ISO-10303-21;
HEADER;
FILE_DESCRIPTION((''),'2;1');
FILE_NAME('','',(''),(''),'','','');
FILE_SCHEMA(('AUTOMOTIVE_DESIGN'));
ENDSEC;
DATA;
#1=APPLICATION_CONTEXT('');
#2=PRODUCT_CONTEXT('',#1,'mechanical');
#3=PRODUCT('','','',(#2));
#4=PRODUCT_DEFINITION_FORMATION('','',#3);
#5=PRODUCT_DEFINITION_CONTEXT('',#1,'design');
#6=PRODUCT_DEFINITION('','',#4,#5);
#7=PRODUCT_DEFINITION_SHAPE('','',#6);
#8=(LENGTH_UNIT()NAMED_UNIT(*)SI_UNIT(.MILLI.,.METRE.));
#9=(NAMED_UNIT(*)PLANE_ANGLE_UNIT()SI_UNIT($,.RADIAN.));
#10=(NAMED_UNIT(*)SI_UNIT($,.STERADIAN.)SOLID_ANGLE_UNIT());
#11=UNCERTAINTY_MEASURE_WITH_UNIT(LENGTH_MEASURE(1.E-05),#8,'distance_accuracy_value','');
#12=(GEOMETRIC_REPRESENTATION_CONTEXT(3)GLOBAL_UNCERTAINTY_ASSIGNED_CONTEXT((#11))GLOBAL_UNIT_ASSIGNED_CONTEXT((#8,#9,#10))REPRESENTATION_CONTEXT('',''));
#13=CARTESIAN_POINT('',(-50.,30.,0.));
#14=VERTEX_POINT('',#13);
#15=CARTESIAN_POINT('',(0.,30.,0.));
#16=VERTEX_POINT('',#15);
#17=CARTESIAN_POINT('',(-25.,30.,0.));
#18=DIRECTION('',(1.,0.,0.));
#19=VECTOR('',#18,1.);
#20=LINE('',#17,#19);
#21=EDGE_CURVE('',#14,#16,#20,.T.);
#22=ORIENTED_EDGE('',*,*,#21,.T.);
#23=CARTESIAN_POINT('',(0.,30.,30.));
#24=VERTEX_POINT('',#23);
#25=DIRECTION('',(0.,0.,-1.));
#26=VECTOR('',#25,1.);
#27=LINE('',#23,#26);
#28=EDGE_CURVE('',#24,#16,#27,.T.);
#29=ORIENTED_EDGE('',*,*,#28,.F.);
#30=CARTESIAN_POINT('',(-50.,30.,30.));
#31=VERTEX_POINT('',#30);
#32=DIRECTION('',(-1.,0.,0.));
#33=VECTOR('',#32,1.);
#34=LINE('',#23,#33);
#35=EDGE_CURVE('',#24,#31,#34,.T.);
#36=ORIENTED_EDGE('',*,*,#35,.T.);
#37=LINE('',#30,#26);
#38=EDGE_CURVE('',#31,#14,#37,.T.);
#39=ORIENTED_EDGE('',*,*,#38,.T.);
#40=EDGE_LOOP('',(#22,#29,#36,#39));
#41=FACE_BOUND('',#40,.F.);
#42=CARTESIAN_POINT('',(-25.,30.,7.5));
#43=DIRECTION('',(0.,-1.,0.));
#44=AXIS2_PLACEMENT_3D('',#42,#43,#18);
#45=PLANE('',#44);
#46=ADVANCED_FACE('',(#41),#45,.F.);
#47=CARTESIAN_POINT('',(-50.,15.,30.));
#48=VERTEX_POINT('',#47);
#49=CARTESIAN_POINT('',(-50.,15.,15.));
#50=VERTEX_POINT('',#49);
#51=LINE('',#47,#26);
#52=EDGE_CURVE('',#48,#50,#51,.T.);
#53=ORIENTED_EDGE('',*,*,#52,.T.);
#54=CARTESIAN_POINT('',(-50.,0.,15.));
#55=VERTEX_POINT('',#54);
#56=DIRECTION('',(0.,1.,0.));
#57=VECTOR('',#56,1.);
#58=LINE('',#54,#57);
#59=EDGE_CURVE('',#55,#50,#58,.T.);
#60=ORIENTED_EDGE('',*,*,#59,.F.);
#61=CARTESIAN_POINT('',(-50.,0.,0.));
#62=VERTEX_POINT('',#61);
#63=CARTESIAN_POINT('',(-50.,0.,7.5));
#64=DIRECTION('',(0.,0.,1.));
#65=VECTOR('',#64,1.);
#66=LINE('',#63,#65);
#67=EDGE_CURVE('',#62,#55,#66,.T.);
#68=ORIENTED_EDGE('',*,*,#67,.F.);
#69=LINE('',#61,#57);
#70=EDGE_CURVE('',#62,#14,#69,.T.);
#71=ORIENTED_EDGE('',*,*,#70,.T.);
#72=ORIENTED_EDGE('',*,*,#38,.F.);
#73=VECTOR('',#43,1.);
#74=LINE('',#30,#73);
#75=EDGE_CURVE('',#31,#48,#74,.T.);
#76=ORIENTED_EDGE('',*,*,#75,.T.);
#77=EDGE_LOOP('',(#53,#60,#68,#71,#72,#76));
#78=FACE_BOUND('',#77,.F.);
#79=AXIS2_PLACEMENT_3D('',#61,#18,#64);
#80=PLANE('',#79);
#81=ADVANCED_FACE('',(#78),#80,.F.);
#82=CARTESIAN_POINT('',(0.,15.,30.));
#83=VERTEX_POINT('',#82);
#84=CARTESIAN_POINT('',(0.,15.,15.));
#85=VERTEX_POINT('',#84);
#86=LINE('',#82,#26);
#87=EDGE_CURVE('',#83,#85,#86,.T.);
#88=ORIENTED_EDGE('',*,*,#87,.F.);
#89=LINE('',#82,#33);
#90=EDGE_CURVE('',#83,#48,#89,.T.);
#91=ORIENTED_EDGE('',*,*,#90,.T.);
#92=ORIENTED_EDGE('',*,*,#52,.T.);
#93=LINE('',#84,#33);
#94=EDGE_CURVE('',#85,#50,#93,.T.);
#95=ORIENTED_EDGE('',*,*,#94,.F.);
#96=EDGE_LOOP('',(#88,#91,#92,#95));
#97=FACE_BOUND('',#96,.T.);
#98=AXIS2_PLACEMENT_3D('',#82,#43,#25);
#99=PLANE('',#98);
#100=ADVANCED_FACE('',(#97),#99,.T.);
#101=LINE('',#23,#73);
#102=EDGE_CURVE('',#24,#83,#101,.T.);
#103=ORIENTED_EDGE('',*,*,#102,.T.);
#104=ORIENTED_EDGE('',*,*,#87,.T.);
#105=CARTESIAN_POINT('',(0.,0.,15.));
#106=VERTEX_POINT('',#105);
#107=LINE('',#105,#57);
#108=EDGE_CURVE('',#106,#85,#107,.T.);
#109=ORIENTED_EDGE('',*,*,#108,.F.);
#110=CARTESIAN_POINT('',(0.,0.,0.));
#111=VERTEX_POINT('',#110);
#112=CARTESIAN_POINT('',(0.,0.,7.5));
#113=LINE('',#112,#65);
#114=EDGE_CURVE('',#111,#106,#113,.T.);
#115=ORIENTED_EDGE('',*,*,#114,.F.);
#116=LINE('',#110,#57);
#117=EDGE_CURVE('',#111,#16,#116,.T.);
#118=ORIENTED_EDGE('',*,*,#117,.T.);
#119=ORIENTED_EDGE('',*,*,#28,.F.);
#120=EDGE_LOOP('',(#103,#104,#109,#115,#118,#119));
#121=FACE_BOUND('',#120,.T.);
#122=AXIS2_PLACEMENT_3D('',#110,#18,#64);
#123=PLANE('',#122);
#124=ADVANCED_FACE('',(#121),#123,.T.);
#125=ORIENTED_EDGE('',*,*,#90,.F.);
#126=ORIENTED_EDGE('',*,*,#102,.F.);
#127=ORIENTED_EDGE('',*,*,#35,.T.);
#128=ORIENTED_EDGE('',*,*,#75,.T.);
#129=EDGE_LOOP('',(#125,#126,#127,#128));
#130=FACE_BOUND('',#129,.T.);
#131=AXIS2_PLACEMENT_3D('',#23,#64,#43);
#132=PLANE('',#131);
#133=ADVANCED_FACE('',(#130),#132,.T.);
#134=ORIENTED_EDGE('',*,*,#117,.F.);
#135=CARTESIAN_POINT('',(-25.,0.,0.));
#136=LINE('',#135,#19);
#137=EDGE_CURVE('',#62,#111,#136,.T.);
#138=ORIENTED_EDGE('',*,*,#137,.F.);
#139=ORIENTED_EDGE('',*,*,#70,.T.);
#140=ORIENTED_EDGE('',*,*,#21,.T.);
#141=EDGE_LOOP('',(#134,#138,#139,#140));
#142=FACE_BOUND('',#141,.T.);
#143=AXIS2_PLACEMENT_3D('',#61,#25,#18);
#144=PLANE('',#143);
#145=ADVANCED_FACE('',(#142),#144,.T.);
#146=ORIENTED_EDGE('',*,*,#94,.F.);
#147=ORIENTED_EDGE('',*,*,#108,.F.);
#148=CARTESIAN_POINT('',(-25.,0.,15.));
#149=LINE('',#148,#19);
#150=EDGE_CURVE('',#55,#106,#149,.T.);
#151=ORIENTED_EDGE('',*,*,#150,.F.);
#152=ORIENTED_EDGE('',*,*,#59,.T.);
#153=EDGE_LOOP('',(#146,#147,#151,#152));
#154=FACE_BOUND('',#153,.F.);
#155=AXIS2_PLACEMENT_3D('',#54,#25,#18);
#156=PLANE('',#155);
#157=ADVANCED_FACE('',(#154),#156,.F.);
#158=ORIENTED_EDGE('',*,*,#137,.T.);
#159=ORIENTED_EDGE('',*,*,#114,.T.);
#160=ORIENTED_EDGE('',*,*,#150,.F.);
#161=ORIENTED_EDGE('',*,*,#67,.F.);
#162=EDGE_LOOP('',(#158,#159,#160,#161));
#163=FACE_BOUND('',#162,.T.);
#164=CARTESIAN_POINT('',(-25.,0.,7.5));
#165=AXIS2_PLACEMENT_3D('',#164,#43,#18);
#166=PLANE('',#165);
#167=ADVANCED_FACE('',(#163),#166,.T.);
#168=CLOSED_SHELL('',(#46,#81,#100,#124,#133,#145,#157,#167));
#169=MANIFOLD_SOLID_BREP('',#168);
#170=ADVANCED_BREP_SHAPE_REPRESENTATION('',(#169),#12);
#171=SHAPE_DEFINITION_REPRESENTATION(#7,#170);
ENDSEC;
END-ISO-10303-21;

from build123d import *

# Parameters (mm, degrees)
F0_W     = 50
F0_H     = 15
F2_DEPTH = 30
F3_DEPTH = 50


with BuildPart() as f2:
    # F0 (on Front) → F2 (new body)
    with BuildSketch(Plane.XZ):
        with Locations((-25, 7.5)):
            Rectangle(F0_W, F0_H)
    extrude(amount=-F2_DEPTH)

    # F1 (on Right) → F3 (join)
    with BuildSketch(Plane.YZ):
        Polygon((15, 15), (0, 15), (0, 0), (30, 0), (30, 30), (15, 30), align=None)
    extrude(amount=-F3_DEPTH)


solid = f2.part
